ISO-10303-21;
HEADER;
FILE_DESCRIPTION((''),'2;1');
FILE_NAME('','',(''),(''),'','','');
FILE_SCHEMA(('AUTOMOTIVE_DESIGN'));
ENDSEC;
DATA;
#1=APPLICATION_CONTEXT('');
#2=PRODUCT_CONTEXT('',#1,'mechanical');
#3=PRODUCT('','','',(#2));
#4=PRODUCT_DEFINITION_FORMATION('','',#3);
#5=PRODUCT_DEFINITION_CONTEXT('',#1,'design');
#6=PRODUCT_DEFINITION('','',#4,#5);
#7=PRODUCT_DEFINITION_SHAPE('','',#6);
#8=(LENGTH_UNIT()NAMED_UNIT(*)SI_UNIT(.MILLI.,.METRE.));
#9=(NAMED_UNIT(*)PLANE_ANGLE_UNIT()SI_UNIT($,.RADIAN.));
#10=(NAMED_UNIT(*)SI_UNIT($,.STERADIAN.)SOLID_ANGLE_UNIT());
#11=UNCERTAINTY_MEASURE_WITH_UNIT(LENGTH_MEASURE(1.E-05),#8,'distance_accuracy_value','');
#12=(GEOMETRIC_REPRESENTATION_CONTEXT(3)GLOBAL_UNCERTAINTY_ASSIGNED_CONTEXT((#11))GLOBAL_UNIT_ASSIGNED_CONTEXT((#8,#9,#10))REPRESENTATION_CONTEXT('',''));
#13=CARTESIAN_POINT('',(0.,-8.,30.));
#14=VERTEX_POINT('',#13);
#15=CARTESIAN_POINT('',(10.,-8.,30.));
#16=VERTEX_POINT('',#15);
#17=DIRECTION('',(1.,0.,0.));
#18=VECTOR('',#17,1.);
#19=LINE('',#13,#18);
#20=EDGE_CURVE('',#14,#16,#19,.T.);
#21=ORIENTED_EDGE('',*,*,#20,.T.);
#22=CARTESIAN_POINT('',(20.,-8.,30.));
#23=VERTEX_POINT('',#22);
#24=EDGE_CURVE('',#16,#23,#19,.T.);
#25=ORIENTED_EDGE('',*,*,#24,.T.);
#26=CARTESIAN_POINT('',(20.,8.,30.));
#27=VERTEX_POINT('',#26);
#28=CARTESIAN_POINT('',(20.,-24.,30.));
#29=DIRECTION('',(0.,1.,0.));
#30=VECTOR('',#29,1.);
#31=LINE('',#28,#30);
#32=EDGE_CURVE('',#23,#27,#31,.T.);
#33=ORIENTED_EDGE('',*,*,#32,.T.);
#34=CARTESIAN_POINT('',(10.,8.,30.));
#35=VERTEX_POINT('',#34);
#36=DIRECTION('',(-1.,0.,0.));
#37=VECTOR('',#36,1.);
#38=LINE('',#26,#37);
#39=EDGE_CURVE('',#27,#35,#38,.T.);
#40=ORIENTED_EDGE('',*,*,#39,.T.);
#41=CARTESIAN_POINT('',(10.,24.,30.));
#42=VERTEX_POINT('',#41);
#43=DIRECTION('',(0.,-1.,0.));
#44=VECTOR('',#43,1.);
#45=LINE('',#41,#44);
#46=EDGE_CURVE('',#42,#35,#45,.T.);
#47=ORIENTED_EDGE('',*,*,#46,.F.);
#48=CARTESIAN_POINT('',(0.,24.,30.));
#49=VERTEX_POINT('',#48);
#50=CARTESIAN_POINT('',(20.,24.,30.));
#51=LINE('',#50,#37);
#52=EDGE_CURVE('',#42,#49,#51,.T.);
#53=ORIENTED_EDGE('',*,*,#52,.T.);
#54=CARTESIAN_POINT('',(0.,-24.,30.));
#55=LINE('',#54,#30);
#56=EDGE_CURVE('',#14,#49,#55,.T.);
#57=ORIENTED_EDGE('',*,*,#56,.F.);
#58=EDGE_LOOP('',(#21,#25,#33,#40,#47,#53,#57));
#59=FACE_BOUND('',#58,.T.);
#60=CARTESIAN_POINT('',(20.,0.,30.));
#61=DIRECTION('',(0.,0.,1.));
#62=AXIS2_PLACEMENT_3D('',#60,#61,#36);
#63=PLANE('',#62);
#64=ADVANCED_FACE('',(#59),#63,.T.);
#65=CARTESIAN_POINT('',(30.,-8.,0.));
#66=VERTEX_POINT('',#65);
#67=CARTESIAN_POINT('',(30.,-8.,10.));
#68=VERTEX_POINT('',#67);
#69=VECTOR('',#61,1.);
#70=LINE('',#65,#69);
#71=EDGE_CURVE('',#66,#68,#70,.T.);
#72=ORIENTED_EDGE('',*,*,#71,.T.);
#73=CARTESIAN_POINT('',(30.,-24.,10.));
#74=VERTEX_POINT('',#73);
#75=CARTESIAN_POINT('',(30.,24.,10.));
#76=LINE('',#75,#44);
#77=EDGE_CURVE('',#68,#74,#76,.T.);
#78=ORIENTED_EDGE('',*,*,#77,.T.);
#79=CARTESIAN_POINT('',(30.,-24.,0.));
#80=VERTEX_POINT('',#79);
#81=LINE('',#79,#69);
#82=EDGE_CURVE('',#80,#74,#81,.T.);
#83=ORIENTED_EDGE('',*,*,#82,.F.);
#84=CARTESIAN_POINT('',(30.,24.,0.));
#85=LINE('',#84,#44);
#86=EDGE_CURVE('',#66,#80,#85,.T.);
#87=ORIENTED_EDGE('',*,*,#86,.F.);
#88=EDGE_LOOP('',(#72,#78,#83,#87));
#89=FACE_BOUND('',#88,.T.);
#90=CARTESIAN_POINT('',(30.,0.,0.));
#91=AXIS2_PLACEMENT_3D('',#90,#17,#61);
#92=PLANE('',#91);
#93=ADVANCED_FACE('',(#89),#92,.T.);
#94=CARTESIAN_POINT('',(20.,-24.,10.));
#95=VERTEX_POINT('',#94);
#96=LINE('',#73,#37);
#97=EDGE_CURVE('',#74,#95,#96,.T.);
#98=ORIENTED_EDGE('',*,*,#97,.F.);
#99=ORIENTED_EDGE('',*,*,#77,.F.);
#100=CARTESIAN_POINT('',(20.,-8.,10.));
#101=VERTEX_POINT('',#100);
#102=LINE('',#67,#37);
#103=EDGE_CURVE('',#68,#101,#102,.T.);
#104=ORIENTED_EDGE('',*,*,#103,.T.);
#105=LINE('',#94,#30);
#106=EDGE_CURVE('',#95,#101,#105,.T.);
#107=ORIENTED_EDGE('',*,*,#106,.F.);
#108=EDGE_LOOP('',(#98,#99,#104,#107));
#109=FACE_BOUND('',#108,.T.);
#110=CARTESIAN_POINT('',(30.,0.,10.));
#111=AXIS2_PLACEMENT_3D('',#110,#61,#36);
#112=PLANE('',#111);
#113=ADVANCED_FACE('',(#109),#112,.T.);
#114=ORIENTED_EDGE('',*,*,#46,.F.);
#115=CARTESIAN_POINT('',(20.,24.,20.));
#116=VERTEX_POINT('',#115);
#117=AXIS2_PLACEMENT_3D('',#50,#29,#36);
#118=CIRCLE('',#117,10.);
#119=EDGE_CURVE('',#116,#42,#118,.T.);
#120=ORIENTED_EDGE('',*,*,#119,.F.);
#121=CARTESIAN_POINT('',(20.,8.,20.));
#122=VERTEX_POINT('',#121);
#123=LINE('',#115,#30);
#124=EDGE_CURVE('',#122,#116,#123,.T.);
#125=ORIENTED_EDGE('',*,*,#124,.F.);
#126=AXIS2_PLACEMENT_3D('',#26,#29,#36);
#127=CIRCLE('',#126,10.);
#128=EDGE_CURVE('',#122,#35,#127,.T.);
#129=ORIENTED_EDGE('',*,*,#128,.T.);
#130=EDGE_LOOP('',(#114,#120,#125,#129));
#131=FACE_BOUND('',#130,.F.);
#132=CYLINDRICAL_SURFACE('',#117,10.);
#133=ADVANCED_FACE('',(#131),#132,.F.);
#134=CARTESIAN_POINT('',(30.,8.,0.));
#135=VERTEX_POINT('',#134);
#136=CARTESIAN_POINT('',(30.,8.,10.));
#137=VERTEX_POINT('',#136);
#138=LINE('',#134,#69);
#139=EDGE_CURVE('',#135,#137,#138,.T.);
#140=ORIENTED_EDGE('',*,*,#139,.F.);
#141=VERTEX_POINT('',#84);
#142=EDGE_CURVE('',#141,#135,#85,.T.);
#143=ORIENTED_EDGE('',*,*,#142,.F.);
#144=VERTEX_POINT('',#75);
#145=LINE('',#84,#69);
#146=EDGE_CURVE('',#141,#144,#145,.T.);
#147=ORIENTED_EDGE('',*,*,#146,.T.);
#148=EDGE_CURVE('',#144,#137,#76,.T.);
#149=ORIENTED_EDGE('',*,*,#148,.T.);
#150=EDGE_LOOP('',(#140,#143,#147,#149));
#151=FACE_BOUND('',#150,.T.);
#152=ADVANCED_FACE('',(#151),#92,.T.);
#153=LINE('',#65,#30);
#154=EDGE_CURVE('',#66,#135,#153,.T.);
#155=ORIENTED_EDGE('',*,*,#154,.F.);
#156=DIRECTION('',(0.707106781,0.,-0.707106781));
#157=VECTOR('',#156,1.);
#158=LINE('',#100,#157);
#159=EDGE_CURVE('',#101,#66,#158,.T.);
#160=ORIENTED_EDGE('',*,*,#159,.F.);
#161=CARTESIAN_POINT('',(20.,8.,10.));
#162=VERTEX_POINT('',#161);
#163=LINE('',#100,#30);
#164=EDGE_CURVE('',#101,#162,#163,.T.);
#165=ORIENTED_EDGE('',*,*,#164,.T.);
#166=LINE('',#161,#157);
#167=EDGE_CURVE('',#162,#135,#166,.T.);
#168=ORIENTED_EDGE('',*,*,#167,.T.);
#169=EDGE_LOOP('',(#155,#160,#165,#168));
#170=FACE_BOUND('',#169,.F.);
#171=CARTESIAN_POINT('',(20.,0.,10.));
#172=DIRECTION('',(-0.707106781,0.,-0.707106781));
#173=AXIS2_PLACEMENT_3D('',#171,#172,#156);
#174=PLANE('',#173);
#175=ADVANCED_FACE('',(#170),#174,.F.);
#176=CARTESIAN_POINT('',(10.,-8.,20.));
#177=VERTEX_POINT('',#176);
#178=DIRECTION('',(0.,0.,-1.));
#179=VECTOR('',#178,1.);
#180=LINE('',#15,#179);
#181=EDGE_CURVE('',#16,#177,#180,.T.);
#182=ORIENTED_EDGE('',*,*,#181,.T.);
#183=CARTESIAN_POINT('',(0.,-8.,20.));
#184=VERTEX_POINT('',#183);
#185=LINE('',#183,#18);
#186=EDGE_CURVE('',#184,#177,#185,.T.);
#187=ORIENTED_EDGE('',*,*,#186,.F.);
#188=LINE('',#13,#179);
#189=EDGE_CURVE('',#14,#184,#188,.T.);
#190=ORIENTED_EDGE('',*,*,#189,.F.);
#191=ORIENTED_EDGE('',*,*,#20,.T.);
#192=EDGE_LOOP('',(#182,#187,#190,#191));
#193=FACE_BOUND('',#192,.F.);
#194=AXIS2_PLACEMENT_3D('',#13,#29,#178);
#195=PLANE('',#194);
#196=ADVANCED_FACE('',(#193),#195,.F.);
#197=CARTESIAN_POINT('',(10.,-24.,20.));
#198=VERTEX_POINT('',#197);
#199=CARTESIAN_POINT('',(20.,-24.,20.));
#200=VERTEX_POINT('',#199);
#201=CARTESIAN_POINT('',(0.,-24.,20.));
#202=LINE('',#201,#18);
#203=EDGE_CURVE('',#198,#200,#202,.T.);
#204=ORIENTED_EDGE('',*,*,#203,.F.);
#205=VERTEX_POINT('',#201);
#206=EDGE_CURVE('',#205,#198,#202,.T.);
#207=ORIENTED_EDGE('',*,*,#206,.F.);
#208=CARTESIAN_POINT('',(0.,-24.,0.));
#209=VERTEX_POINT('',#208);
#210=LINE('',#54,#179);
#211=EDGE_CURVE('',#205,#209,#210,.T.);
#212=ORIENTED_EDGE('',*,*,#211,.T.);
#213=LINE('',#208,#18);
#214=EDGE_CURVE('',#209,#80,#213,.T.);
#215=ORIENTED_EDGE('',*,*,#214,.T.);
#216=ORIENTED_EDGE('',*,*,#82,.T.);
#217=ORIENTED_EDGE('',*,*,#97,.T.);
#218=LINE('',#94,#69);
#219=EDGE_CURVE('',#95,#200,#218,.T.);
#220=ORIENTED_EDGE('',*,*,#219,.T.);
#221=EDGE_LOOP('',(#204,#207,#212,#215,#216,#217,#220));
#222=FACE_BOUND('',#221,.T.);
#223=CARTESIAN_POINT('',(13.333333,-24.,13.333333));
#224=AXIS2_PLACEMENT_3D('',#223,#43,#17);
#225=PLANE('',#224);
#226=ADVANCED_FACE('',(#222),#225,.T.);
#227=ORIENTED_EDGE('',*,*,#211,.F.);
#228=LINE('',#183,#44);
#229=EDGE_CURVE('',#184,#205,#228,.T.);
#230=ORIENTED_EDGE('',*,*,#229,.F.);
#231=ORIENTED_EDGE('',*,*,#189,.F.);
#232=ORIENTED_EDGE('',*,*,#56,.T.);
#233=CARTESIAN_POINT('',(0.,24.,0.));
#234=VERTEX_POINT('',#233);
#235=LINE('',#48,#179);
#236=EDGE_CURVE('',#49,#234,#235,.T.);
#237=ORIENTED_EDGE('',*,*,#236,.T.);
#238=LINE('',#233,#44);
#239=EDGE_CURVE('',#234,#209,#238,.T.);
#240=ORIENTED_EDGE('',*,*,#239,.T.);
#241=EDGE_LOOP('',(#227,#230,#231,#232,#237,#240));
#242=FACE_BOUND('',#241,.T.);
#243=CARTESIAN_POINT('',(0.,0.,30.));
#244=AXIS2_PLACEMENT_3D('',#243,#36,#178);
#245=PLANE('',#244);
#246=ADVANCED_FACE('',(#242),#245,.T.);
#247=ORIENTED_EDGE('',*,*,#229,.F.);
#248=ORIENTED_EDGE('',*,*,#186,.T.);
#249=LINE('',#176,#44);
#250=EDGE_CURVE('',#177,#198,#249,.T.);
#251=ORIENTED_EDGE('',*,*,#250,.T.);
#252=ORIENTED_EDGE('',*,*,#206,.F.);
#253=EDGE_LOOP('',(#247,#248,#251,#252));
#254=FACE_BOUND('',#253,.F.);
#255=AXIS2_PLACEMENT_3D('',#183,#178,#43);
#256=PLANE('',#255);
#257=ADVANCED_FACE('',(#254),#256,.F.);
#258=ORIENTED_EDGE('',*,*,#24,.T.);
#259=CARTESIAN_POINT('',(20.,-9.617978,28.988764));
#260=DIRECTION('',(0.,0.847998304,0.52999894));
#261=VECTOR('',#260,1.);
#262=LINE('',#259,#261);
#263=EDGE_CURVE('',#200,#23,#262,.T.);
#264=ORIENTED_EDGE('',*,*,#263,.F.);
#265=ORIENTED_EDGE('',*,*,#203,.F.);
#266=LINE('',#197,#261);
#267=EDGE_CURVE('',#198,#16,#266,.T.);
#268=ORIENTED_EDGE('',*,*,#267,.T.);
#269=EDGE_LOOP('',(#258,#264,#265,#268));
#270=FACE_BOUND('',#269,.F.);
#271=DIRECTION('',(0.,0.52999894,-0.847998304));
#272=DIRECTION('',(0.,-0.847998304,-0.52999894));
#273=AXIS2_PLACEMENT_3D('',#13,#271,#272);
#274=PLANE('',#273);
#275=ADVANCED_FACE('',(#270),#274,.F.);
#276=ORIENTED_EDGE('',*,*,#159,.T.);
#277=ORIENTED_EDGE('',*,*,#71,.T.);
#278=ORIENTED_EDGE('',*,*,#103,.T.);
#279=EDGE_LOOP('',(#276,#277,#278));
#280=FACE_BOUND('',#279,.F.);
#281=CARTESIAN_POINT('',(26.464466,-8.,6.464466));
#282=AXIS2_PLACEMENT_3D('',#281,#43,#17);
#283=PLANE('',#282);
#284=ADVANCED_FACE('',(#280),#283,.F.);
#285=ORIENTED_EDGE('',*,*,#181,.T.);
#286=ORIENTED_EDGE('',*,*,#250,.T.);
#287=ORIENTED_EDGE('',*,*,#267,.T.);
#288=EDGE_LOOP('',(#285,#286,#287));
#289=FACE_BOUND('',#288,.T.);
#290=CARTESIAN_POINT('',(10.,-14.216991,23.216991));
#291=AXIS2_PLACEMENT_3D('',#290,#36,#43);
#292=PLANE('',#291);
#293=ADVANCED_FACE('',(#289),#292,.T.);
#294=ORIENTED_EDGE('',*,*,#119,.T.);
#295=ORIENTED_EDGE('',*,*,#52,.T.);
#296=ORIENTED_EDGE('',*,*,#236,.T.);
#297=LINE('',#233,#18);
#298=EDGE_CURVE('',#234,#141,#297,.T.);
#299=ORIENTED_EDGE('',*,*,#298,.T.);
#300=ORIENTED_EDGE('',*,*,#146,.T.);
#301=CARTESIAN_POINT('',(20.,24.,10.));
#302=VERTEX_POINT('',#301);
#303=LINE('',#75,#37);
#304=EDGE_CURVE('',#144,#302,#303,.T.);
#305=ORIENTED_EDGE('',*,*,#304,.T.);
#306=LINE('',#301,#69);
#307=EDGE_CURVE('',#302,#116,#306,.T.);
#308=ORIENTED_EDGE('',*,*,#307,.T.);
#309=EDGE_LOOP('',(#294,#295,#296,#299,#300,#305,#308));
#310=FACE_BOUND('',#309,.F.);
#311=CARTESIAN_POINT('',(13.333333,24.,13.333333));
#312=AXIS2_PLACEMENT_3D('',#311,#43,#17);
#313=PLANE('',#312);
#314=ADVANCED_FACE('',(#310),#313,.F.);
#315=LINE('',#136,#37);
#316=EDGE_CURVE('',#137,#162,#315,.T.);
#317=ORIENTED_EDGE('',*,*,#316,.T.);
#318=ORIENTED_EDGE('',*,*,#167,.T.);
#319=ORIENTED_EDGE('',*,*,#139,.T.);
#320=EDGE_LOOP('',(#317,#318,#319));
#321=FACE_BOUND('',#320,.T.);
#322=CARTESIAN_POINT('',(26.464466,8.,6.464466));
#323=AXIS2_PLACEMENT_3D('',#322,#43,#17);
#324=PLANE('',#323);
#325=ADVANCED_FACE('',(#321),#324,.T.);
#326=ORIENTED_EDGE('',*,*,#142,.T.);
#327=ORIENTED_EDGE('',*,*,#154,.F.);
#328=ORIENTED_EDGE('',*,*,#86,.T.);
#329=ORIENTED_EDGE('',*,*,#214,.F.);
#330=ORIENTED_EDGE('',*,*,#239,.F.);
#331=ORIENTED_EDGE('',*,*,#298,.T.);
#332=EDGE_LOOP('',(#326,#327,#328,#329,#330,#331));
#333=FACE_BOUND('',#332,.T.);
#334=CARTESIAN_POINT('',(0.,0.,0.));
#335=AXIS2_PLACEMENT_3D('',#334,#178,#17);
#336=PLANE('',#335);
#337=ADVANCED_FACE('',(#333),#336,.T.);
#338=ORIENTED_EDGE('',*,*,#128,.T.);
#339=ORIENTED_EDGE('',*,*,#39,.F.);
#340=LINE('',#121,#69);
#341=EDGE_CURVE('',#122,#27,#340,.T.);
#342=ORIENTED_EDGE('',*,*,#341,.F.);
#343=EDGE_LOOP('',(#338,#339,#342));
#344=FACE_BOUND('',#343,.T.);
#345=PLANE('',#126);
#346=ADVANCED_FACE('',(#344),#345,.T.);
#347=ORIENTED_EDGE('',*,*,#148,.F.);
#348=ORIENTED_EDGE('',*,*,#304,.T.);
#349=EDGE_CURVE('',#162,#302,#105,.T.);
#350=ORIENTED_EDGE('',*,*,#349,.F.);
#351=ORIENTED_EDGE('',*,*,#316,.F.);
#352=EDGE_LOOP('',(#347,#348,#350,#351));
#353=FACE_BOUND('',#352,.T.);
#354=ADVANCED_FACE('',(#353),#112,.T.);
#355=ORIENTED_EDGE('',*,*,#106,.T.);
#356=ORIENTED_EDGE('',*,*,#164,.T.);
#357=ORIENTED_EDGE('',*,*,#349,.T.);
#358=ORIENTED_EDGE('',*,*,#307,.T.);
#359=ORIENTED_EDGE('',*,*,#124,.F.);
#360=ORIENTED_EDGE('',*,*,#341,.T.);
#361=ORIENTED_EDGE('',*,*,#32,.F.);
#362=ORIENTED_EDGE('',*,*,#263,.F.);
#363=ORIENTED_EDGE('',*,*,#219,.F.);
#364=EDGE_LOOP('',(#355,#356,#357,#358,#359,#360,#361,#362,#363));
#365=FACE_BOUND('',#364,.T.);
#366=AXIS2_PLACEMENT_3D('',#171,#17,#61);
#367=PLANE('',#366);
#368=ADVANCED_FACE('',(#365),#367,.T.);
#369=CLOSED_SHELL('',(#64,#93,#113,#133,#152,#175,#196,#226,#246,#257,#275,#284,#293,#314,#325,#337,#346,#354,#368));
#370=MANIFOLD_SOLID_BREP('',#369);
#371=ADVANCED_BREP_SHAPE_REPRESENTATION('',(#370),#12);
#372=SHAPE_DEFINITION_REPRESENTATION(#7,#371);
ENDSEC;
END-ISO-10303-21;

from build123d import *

# Parameters (mm, degrees)
F1_DEPTH = 24
F3_DEPTH = 8
F5_DEPTH = 30.001
F6_DEPTH = 10
F7_R     = 10
F8_DEPTH = 16


with BuildPart() as f1:
    # F0 (on Front) → F1 (new body, symmetric)
    with BuildSketch(Plane.XZ):
        Polygon((0, 30), (0, 0), (30, 0), (30, 10), (20, 10), (20, 30), align=None)
    extrude(amount=F1_DEPTH, both=True)

    # F2 (on Front) → F3 (cut, symmetric)
    with BuildSketch(Plane.XZ):
        Polygon((30, 0), (30, 10), (20, 10), align=None)
    extrude(amount=F3_DEPTH, both=True, mode=Mode.SUBTRACT)

    # F4 (on face) → F5 (cut, through all)
    with BuildSketch(Plane(origin=(0, 0, 0), x_dir=(0, -1, 0), z_dir=(-1, 0, 0))):
        Polygon((24, 20), (24, 30), (8, 30), align=None)
    extrude(amount=-F5_DEPTH, mode=Mode.SUBTRACT)

    # F4 (on face) → F6 (cut)
    with BuildSketch(Plane(origin=(0, 0, 0), x_dir=(0, -1, 0), z_dir=(-1, 0, 0))):
        Polygon((24, 20), (8, 30), (8, 20), align=None)
    extrude(amount=-F6_DEPTH, mode=Mode.SUBTRACT)

    # F7 (on face) → F8 (cut)
    with BuildSketch(Plane(origin=(0, 24, 0), x_dir=(-1, 0, 0), z_dir=(0, 1, 0))):
        with Locations((-20, 30)):
            Circle(F7_R)
    extrude(amount=-F8_DEPTH, mode=Mode.SUBTRACT)


solid = f1.part
